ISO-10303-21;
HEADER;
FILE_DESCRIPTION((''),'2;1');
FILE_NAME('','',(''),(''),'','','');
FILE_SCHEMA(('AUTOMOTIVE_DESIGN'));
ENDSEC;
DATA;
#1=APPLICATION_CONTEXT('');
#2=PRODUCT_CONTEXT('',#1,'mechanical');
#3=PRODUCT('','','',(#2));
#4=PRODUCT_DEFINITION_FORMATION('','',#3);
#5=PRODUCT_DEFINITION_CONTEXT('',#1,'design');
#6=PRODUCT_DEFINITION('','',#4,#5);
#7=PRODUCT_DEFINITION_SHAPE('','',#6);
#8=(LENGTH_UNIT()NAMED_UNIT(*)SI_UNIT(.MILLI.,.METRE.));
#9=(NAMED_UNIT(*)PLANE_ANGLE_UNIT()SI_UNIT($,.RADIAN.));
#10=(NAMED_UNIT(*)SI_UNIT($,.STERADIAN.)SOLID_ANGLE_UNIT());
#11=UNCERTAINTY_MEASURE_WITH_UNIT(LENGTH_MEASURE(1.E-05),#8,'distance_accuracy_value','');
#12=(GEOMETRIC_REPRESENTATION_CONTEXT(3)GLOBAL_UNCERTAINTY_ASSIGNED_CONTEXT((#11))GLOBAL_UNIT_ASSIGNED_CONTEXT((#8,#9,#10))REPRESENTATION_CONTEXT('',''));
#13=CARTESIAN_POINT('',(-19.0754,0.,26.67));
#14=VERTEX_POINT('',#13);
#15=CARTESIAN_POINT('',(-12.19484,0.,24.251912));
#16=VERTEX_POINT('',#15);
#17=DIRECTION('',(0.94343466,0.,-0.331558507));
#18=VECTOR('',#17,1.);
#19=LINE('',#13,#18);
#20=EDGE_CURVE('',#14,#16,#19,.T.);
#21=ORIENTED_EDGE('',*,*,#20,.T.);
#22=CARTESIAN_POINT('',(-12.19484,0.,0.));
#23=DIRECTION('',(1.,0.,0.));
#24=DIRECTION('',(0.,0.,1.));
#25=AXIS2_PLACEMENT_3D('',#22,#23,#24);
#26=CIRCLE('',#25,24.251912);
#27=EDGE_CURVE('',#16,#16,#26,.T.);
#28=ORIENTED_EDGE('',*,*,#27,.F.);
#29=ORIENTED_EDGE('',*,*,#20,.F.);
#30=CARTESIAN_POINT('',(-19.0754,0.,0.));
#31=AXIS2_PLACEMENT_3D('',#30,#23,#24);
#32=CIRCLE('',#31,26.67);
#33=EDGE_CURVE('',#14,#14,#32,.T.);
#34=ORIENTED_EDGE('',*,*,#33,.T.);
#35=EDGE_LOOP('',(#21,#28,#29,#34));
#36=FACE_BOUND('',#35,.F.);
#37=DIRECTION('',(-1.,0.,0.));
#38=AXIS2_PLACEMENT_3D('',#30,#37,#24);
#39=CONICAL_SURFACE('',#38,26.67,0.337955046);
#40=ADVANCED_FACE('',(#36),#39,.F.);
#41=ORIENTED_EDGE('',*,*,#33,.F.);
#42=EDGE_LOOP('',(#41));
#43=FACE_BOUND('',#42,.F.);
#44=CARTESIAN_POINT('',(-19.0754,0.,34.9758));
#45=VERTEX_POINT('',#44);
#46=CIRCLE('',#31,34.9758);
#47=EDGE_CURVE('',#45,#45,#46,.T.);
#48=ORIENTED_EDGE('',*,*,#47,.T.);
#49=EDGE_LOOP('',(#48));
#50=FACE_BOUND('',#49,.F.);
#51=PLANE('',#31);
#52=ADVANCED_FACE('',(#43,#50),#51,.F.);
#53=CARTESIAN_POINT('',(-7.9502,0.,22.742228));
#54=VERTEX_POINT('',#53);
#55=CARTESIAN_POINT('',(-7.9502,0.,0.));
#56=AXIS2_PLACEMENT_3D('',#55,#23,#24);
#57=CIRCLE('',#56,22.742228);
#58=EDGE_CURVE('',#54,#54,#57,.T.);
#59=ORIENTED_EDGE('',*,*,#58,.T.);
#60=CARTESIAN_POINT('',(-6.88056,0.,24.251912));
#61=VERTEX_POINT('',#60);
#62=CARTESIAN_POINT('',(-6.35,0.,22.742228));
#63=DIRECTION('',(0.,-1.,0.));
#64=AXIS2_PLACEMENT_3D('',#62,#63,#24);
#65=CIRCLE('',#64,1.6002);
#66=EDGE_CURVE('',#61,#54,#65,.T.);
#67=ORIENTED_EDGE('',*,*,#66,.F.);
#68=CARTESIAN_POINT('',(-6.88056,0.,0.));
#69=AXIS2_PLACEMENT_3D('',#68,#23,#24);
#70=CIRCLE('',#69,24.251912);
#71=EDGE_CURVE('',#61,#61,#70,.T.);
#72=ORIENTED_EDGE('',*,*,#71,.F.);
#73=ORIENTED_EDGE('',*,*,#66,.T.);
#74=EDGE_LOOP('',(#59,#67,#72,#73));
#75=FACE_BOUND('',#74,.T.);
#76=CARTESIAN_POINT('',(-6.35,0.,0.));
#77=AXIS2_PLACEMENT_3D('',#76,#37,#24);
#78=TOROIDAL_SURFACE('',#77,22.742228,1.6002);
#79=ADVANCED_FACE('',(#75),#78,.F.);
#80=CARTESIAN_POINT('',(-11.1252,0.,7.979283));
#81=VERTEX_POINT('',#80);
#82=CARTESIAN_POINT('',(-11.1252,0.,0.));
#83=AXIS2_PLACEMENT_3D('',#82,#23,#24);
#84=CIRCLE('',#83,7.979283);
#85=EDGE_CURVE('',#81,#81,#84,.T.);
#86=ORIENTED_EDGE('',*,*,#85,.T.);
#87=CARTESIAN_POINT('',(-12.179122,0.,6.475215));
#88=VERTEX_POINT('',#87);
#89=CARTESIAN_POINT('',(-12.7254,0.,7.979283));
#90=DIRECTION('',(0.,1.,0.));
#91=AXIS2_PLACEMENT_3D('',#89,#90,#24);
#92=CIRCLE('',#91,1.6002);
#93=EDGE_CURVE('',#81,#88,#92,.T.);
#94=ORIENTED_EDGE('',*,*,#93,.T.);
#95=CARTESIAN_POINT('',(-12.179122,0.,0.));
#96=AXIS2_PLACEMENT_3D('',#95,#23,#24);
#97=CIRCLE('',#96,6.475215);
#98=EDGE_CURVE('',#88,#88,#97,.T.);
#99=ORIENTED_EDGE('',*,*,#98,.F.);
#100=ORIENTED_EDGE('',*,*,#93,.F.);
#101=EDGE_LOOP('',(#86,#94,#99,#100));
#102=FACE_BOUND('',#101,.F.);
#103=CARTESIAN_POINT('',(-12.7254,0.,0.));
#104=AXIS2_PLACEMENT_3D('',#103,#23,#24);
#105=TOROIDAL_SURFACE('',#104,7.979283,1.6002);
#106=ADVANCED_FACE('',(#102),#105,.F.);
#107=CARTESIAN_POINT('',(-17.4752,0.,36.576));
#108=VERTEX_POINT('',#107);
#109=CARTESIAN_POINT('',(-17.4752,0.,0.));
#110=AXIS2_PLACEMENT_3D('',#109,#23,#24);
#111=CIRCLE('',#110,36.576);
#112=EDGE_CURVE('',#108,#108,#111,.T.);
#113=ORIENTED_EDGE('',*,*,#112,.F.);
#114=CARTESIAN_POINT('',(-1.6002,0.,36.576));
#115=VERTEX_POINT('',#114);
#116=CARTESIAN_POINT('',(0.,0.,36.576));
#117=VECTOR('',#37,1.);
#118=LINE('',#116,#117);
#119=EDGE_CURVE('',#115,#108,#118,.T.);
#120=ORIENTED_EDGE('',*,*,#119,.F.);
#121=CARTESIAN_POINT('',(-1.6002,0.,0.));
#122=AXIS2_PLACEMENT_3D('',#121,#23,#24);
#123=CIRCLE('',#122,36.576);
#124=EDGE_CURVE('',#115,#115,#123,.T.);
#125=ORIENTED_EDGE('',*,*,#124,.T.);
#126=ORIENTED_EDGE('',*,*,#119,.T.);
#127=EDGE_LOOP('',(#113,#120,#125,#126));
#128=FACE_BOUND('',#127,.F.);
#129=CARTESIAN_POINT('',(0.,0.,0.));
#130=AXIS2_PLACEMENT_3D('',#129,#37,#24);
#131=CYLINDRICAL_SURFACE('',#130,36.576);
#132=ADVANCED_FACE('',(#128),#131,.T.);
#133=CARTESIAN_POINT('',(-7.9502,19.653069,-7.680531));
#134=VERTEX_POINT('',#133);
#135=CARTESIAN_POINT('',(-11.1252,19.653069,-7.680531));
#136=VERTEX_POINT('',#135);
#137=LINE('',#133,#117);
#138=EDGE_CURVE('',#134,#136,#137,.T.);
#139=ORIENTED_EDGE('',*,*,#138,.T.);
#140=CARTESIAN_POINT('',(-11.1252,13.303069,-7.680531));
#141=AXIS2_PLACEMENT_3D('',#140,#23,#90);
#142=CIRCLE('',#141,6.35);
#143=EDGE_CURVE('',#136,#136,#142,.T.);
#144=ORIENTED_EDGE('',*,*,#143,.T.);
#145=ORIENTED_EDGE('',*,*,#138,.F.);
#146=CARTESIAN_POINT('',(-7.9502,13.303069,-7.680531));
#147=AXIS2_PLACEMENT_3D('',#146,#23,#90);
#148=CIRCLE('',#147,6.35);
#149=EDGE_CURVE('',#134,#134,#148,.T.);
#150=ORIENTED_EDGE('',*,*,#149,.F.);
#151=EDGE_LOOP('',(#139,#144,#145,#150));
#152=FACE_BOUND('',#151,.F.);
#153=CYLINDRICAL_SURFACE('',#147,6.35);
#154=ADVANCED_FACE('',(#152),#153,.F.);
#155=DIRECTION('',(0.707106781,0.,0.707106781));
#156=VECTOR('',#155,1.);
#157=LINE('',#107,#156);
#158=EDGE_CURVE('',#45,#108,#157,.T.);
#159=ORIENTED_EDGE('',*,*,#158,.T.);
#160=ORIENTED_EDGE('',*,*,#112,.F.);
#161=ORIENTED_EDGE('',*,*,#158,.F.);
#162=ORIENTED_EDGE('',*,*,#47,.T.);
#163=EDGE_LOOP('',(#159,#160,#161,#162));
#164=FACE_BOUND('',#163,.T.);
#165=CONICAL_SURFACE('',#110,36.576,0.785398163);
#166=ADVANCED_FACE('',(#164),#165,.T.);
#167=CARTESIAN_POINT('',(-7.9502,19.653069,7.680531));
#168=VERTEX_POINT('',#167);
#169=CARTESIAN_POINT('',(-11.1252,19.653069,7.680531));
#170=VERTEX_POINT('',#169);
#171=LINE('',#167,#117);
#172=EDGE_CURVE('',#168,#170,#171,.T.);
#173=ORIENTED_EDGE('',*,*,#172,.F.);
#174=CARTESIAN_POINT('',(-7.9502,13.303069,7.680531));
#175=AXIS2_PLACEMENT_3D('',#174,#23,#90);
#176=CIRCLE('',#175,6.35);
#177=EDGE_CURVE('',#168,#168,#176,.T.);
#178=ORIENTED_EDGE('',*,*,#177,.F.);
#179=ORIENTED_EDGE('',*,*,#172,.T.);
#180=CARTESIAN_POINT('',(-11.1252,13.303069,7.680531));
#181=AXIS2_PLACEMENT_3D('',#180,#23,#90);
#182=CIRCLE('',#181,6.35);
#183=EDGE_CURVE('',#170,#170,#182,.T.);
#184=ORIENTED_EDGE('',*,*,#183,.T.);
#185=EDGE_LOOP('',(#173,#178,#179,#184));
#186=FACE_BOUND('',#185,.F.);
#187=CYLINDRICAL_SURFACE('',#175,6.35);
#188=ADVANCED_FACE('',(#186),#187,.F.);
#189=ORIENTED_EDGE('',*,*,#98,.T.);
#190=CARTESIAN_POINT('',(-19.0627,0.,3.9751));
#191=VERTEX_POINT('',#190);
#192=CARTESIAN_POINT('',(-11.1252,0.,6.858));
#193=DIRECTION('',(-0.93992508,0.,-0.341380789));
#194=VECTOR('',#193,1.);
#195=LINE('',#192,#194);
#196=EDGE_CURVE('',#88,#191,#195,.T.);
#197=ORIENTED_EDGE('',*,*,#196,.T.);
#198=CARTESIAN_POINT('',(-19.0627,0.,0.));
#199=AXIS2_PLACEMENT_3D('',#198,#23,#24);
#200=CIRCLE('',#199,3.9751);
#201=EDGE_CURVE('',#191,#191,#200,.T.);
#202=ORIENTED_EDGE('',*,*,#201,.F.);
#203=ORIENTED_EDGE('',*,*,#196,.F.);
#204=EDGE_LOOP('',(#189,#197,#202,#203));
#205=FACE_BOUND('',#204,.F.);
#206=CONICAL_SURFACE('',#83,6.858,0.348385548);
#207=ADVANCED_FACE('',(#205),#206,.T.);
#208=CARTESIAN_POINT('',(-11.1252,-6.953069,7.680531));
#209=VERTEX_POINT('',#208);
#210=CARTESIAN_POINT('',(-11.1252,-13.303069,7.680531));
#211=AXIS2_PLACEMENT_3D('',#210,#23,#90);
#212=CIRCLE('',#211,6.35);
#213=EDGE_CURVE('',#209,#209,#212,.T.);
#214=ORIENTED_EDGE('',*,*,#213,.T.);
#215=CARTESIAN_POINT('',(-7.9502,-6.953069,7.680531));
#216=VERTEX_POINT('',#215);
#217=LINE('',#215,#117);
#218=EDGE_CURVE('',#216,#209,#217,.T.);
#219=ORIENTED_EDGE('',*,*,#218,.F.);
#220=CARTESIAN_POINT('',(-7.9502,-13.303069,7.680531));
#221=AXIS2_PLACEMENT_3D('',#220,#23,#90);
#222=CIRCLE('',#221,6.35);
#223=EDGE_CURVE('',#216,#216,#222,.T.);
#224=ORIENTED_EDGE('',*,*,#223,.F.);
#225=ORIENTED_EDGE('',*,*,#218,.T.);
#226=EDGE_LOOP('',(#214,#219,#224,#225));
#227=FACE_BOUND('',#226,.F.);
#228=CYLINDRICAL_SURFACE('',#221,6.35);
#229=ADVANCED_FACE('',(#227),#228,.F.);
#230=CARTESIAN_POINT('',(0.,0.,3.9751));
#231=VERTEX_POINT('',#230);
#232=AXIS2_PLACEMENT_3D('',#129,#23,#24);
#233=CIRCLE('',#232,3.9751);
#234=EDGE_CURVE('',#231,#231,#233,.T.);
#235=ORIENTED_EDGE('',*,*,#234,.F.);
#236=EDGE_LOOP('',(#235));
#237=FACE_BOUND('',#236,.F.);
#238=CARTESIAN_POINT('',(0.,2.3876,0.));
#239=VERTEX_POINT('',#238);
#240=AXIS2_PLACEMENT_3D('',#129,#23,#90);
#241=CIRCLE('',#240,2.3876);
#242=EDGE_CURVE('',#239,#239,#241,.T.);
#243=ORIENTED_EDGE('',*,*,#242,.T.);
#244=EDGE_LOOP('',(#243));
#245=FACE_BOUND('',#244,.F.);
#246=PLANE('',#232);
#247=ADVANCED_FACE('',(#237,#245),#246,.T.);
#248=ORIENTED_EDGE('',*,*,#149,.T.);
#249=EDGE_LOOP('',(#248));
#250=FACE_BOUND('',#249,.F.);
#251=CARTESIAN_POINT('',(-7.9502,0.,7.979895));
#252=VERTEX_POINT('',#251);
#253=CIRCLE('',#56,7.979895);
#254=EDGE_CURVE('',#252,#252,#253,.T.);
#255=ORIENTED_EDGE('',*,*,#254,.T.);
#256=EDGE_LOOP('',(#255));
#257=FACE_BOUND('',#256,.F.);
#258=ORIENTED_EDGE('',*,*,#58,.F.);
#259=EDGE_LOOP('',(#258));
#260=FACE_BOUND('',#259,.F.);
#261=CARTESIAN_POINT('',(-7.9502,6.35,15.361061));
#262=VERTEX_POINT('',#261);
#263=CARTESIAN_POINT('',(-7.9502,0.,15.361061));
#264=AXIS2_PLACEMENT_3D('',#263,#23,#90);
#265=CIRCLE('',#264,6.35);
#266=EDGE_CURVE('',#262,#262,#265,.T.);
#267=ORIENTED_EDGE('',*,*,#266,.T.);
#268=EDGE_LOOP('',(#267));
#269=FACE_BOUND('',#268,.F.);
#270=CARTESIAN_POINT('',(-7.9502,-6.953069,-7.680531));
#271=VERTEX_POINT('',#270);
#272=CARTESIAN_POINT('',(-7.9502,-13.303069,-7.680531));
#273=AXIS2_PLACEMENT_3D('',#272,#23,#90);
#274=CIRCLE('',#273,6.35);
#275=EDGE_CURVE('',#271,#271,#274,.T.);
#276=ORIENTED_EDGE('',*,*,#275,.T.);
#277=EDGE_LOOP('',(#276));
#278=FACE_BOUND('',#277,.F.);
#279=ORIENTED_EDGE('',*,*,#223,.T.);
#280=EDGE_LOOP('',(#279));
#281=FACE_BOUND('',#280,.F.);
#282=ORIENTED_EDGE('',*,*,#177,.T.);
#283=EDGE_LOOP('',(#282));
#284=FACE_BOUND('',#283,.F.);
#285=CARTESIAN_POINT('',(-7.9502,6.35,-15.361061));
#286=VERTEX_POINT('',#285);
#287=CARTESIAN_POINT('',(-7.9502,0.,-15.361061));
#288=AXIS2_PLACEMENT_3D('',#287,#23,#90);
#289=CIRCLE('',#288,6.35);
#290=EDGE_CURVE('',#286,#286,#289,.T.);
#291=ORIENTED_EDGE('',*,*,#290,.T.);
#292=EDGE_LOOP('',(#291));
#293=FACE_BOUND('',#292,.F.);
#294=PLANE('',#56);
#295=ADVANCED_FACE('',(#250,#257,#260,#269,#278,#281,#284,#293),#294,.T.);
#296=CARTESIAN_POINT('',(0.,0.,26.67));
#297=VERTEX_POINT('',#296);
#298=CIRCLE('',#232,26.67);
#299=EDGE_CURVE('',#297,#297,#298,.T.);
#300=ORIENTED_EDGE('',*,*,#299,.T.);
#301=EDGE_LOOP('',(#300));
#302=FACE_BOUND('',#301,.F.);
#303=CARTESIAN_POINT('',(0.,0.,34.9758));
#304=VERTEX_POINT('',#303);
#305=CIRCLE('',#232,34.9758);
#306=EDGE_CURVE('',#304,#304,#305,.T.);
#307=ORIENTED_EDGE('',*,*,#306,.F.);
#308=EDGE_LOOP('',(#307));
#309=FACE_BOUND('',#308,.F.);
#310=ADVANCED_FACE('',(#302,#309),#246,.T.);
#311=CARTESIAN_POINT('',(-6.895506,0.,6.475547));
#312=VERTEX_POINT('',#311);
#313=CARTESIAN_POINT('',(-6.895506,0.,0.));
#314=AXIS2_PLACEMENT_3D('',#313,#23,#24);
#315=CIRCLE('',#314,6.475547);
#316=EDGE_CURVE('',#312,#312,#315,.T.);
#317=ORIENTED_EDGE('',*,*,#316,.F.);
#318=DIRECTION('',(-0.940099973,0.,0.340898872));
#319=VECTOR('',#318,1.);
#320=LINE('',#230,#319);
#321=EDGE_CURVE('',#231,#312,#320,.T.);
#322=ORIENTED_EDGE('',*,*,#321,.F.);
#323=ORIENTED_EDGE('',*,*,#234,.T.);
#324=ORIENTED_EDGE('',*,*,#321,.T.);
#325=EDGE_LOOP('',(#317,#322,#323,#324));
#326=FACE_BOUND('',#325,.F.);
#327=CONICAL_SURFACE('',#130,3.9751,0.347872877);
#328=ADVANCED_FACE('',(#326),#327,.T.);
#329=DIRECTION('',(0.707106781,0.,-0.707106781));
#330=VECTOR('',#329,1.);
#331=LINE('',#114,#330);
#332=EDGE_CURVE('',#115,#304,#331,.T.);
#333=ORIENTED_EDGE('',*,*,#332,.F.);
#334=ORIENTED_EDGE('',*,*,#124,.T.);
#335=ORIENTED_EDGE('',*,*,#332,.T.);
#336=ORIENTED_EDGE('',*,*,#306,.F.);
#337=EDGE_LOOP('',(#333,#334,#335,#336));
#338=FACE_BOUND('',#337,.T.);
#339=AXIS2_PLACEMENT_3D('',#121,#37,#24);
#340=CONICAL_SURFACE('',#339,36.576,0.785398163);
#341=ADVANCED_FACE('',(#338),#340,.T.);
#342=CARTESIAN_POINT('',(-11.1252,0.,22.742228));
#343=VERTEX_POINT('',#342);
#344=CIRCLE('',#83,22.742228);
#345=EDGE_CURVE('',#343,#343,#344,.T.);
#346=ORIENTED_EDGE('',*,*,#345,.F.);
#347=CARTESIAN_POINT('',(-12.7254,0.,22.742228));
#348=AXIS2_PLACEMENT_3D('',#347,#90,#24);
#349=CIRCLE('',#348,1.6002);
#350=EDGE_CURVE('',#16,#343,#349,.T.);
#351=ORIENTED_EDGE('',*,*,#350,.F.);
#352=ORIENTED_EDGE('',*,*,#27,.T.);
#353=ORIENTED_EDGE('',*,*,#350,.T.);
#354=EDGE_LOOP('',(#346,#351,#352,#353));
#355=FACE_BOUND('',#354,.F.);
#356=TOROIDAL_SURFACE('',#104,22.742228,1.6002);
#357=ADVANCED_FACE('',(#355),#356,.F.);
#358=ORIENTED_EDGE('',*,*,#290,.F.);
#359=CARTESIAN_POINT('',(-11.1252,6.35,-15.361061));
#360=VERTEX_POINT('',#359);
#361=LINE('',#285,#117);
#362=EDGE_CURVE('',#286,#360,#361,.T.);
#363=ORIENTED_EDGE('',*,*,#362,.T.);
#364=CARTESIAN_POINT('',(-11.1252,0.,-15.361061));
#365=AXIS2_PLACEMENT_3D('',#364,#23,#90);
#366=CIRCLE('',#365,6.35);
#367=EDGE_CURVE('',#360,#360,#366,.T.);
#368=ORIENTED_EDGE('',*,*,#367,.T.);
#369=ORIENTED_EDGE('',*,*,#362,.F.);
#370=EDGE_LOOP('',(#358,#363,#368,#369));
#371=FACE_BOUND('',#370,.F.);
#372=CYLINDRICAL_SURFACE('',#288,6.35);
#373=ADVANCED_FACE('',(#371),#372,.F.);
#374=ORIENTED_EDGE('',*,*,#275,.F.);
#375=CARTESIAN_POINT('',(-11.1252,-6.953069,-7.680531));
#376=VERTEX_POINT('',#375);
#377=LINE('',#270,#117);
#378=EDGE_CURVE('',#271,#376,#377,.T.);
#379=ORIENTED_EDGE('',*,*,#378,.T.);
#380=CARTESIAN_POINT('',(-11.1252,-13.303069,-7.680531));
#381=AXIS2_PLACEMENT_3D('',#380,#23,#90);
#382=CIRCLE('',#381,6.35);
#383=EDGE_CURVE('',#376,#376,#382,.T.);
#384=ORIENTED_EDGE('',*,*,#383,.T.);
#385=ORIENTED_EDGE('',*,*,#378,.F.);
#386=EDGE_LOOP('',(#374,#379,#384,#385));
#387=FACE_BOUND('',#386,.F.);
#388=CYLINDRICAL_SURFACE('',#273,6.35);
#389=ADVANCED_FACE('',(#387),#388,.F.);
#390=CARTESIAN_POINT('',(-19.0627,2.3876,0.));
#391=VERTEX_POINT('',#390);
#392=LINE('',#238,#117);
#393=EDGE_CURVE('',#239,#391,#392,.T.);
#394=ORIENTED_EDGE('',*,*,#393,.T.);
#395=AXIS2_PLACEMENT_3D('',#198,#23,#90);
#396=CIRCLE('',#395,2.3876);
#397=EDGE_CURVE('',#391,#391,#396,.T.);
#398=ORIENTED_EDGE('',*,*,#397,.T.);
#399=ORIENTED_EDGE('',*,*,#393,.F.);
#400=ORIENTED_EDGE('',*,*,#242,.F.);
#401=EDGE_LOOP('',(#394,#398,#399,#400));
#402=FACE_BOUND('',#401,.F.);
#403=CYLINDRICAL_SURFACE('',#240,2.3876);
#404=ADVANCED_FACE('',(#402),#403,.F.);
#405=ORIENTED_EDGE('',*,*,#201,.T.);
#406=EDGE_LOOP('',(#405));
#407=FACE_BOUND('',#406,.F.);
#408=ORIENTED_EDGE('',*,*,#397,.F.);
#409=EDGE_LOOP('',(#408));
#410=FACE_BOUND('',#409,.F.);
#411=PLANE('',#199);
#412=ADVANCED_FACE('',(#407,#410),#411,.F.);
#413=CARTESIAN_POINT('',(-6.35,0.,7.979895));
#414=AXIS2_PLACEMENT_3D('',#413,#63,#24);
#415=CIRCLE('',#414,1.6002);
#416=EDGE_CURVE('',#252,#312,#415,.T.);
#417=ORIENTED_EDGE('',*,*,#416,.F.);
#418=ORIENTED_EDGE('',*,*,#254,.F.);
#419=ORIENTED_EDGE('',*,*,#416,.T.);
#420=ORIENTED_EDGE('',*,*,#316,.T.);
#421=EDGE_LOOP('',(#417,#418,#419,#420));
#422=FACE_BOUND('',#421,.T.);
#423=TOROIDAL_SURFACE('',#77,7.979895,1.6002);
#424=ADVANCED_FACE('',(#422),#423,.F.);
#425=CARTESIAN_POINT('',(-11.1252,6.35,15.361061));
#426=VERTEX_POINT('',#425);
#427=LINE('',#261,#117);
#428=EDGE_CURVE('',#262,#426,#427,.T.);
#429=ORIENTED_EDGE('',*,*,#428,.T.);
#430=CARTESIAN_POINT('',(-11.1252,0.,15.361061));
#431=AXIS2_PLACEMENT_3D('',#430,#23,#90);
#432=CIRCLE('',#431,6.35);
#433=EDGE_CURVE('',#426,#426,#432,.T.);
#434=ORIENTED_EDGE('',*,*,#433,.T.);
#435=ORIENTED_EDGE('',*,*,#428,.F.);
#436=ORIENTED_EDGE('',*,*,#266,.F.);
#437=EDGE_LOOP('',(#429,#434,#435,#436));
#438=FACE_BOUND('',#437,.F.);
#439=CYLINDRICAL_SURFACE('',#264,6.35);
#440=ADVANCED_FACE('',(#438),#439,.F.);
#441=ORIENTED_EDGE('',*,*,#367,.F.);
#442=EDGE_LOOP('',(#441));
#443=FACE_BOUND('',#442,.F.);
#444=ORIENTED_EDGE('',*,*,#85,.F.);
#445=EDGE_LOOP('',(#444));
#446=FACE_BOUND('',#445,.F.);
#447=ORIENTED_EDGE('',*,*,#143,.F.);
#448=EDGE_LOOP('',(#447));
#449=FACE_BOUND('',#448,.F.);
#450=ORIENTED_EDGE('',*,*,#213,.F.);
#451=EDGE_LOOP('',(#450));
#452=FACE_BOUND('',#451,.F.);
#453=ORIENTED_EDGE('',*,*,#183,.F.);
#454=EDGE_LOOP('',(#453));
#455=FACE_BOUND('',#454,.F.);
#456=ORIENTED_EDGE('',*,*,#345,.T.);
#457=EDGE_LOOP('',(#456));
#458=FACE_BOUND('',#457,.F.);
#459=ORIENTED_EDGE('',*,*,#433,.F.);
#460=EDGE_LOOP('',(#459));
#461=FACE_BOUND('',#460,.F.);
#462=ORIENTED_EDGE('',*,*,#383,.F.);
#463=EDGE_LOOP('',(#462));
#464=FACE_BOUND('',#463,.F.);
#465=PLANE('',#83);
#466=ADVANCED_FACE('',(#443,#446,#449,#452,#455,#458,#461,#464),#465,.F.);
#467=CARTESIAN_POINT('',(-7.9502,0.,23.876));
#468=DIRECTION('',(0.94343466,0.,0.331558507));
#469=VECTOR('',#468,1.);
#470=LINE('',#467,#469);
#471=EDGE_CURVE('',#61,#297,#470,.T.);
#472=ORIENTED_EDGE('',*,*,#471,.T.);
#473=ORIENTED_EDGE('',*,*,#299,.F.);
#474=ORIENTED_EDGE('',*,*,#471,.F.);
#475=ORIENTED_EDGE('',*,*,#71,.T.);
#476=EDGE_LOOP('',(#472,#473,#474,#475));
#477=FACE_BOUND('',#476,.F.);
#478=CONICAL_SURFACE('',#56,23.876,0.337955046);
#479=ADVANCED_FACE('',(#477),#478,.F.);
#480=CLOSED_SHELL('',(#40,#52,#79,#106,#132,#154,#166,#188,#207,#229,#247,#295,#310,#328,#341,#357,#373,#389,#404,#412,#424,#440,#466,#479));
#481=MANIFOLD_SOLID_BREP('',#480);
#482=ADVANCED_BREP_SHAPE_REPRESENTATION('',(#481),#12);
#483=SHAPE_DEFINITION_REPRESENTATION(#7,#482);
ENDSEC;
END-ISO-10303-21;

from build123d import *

# Parameters (mm, degrees)
F2_R     = 2.3876
F3_DEPTH = 19.0764
F4_SIZE  = 1.6002
F5_R     = 1.6002
F6_R     = 6.35
F7_DEPTH = 11.1262


with BuildPart() as f1:
    # F0 (on Front) → F1 (revolve)
    with BuildSketch(Plane.XZ):
        Polygon((-19.0627, 3.9751), (-19.0627, 0), (0, 0), (0, 3.9751), (-7.9502, 6.858), (-7.9502, 23.876), (0, 26.67), (0, 36.576), (-19.0754, 36.576), (-19.0754, 26.67), (-11.1252, 23.876), (-11.1252, 6.858), align=None)
    revolve(axis=Axis((-9.53135, 0, 0), (1, 0, 0)))

    # F2 (on face) → F3 (cut, through all)
    with BuildSketch(Plane.YZ):
        Circle(F2_R)
    extrude(amount=-F3_DEPTH, mode=Mode.SUBTRACT)

    # F4
    f4_edges = [f1.edges().sort_by_distance(p)[0] for p in [
        (0, 0, -36.576),
        (-19.0754, 0, -36.576),
    ]]
    chamfer(f4_edges, length=F4_SIZE)

    # F5
    f5_edges = [f1.edges().sort_by_distance(p)[0] for p in [
        (-7.9502, 0, -23.876),
        (-11.1252, 0, -23.876),
        (-7.9502, 0, -6.858),
        (-11.1252, 0, -6.858),
    ]]
    fillet(f5_edges, radius=F5_R)

    # F6 (on face) → F7 (cut, through all)
    with BuildSketch(Plane.YZ.offset(-7.9502)):
        with Locations((0, 15.361061)):
            Circle(F6_R)
        with Locations((-13.303069, 7.680531)):
            Circle(F6_R)
        with Locations((-13.303069, -7.680531)):
            Circle(F6_R)
        with Locations((0, -15.361061)):
            Circle(F6_R)
        with Locations((13.303069, -7.680531)):
            Circle(F6_R)
        with Locations((13.303069, 7.680531)):
            Circle(F6_R)
    extrude(amount=-F7_DEPTH, mode=Mode.SUBTRACT)


solid = f1.part
